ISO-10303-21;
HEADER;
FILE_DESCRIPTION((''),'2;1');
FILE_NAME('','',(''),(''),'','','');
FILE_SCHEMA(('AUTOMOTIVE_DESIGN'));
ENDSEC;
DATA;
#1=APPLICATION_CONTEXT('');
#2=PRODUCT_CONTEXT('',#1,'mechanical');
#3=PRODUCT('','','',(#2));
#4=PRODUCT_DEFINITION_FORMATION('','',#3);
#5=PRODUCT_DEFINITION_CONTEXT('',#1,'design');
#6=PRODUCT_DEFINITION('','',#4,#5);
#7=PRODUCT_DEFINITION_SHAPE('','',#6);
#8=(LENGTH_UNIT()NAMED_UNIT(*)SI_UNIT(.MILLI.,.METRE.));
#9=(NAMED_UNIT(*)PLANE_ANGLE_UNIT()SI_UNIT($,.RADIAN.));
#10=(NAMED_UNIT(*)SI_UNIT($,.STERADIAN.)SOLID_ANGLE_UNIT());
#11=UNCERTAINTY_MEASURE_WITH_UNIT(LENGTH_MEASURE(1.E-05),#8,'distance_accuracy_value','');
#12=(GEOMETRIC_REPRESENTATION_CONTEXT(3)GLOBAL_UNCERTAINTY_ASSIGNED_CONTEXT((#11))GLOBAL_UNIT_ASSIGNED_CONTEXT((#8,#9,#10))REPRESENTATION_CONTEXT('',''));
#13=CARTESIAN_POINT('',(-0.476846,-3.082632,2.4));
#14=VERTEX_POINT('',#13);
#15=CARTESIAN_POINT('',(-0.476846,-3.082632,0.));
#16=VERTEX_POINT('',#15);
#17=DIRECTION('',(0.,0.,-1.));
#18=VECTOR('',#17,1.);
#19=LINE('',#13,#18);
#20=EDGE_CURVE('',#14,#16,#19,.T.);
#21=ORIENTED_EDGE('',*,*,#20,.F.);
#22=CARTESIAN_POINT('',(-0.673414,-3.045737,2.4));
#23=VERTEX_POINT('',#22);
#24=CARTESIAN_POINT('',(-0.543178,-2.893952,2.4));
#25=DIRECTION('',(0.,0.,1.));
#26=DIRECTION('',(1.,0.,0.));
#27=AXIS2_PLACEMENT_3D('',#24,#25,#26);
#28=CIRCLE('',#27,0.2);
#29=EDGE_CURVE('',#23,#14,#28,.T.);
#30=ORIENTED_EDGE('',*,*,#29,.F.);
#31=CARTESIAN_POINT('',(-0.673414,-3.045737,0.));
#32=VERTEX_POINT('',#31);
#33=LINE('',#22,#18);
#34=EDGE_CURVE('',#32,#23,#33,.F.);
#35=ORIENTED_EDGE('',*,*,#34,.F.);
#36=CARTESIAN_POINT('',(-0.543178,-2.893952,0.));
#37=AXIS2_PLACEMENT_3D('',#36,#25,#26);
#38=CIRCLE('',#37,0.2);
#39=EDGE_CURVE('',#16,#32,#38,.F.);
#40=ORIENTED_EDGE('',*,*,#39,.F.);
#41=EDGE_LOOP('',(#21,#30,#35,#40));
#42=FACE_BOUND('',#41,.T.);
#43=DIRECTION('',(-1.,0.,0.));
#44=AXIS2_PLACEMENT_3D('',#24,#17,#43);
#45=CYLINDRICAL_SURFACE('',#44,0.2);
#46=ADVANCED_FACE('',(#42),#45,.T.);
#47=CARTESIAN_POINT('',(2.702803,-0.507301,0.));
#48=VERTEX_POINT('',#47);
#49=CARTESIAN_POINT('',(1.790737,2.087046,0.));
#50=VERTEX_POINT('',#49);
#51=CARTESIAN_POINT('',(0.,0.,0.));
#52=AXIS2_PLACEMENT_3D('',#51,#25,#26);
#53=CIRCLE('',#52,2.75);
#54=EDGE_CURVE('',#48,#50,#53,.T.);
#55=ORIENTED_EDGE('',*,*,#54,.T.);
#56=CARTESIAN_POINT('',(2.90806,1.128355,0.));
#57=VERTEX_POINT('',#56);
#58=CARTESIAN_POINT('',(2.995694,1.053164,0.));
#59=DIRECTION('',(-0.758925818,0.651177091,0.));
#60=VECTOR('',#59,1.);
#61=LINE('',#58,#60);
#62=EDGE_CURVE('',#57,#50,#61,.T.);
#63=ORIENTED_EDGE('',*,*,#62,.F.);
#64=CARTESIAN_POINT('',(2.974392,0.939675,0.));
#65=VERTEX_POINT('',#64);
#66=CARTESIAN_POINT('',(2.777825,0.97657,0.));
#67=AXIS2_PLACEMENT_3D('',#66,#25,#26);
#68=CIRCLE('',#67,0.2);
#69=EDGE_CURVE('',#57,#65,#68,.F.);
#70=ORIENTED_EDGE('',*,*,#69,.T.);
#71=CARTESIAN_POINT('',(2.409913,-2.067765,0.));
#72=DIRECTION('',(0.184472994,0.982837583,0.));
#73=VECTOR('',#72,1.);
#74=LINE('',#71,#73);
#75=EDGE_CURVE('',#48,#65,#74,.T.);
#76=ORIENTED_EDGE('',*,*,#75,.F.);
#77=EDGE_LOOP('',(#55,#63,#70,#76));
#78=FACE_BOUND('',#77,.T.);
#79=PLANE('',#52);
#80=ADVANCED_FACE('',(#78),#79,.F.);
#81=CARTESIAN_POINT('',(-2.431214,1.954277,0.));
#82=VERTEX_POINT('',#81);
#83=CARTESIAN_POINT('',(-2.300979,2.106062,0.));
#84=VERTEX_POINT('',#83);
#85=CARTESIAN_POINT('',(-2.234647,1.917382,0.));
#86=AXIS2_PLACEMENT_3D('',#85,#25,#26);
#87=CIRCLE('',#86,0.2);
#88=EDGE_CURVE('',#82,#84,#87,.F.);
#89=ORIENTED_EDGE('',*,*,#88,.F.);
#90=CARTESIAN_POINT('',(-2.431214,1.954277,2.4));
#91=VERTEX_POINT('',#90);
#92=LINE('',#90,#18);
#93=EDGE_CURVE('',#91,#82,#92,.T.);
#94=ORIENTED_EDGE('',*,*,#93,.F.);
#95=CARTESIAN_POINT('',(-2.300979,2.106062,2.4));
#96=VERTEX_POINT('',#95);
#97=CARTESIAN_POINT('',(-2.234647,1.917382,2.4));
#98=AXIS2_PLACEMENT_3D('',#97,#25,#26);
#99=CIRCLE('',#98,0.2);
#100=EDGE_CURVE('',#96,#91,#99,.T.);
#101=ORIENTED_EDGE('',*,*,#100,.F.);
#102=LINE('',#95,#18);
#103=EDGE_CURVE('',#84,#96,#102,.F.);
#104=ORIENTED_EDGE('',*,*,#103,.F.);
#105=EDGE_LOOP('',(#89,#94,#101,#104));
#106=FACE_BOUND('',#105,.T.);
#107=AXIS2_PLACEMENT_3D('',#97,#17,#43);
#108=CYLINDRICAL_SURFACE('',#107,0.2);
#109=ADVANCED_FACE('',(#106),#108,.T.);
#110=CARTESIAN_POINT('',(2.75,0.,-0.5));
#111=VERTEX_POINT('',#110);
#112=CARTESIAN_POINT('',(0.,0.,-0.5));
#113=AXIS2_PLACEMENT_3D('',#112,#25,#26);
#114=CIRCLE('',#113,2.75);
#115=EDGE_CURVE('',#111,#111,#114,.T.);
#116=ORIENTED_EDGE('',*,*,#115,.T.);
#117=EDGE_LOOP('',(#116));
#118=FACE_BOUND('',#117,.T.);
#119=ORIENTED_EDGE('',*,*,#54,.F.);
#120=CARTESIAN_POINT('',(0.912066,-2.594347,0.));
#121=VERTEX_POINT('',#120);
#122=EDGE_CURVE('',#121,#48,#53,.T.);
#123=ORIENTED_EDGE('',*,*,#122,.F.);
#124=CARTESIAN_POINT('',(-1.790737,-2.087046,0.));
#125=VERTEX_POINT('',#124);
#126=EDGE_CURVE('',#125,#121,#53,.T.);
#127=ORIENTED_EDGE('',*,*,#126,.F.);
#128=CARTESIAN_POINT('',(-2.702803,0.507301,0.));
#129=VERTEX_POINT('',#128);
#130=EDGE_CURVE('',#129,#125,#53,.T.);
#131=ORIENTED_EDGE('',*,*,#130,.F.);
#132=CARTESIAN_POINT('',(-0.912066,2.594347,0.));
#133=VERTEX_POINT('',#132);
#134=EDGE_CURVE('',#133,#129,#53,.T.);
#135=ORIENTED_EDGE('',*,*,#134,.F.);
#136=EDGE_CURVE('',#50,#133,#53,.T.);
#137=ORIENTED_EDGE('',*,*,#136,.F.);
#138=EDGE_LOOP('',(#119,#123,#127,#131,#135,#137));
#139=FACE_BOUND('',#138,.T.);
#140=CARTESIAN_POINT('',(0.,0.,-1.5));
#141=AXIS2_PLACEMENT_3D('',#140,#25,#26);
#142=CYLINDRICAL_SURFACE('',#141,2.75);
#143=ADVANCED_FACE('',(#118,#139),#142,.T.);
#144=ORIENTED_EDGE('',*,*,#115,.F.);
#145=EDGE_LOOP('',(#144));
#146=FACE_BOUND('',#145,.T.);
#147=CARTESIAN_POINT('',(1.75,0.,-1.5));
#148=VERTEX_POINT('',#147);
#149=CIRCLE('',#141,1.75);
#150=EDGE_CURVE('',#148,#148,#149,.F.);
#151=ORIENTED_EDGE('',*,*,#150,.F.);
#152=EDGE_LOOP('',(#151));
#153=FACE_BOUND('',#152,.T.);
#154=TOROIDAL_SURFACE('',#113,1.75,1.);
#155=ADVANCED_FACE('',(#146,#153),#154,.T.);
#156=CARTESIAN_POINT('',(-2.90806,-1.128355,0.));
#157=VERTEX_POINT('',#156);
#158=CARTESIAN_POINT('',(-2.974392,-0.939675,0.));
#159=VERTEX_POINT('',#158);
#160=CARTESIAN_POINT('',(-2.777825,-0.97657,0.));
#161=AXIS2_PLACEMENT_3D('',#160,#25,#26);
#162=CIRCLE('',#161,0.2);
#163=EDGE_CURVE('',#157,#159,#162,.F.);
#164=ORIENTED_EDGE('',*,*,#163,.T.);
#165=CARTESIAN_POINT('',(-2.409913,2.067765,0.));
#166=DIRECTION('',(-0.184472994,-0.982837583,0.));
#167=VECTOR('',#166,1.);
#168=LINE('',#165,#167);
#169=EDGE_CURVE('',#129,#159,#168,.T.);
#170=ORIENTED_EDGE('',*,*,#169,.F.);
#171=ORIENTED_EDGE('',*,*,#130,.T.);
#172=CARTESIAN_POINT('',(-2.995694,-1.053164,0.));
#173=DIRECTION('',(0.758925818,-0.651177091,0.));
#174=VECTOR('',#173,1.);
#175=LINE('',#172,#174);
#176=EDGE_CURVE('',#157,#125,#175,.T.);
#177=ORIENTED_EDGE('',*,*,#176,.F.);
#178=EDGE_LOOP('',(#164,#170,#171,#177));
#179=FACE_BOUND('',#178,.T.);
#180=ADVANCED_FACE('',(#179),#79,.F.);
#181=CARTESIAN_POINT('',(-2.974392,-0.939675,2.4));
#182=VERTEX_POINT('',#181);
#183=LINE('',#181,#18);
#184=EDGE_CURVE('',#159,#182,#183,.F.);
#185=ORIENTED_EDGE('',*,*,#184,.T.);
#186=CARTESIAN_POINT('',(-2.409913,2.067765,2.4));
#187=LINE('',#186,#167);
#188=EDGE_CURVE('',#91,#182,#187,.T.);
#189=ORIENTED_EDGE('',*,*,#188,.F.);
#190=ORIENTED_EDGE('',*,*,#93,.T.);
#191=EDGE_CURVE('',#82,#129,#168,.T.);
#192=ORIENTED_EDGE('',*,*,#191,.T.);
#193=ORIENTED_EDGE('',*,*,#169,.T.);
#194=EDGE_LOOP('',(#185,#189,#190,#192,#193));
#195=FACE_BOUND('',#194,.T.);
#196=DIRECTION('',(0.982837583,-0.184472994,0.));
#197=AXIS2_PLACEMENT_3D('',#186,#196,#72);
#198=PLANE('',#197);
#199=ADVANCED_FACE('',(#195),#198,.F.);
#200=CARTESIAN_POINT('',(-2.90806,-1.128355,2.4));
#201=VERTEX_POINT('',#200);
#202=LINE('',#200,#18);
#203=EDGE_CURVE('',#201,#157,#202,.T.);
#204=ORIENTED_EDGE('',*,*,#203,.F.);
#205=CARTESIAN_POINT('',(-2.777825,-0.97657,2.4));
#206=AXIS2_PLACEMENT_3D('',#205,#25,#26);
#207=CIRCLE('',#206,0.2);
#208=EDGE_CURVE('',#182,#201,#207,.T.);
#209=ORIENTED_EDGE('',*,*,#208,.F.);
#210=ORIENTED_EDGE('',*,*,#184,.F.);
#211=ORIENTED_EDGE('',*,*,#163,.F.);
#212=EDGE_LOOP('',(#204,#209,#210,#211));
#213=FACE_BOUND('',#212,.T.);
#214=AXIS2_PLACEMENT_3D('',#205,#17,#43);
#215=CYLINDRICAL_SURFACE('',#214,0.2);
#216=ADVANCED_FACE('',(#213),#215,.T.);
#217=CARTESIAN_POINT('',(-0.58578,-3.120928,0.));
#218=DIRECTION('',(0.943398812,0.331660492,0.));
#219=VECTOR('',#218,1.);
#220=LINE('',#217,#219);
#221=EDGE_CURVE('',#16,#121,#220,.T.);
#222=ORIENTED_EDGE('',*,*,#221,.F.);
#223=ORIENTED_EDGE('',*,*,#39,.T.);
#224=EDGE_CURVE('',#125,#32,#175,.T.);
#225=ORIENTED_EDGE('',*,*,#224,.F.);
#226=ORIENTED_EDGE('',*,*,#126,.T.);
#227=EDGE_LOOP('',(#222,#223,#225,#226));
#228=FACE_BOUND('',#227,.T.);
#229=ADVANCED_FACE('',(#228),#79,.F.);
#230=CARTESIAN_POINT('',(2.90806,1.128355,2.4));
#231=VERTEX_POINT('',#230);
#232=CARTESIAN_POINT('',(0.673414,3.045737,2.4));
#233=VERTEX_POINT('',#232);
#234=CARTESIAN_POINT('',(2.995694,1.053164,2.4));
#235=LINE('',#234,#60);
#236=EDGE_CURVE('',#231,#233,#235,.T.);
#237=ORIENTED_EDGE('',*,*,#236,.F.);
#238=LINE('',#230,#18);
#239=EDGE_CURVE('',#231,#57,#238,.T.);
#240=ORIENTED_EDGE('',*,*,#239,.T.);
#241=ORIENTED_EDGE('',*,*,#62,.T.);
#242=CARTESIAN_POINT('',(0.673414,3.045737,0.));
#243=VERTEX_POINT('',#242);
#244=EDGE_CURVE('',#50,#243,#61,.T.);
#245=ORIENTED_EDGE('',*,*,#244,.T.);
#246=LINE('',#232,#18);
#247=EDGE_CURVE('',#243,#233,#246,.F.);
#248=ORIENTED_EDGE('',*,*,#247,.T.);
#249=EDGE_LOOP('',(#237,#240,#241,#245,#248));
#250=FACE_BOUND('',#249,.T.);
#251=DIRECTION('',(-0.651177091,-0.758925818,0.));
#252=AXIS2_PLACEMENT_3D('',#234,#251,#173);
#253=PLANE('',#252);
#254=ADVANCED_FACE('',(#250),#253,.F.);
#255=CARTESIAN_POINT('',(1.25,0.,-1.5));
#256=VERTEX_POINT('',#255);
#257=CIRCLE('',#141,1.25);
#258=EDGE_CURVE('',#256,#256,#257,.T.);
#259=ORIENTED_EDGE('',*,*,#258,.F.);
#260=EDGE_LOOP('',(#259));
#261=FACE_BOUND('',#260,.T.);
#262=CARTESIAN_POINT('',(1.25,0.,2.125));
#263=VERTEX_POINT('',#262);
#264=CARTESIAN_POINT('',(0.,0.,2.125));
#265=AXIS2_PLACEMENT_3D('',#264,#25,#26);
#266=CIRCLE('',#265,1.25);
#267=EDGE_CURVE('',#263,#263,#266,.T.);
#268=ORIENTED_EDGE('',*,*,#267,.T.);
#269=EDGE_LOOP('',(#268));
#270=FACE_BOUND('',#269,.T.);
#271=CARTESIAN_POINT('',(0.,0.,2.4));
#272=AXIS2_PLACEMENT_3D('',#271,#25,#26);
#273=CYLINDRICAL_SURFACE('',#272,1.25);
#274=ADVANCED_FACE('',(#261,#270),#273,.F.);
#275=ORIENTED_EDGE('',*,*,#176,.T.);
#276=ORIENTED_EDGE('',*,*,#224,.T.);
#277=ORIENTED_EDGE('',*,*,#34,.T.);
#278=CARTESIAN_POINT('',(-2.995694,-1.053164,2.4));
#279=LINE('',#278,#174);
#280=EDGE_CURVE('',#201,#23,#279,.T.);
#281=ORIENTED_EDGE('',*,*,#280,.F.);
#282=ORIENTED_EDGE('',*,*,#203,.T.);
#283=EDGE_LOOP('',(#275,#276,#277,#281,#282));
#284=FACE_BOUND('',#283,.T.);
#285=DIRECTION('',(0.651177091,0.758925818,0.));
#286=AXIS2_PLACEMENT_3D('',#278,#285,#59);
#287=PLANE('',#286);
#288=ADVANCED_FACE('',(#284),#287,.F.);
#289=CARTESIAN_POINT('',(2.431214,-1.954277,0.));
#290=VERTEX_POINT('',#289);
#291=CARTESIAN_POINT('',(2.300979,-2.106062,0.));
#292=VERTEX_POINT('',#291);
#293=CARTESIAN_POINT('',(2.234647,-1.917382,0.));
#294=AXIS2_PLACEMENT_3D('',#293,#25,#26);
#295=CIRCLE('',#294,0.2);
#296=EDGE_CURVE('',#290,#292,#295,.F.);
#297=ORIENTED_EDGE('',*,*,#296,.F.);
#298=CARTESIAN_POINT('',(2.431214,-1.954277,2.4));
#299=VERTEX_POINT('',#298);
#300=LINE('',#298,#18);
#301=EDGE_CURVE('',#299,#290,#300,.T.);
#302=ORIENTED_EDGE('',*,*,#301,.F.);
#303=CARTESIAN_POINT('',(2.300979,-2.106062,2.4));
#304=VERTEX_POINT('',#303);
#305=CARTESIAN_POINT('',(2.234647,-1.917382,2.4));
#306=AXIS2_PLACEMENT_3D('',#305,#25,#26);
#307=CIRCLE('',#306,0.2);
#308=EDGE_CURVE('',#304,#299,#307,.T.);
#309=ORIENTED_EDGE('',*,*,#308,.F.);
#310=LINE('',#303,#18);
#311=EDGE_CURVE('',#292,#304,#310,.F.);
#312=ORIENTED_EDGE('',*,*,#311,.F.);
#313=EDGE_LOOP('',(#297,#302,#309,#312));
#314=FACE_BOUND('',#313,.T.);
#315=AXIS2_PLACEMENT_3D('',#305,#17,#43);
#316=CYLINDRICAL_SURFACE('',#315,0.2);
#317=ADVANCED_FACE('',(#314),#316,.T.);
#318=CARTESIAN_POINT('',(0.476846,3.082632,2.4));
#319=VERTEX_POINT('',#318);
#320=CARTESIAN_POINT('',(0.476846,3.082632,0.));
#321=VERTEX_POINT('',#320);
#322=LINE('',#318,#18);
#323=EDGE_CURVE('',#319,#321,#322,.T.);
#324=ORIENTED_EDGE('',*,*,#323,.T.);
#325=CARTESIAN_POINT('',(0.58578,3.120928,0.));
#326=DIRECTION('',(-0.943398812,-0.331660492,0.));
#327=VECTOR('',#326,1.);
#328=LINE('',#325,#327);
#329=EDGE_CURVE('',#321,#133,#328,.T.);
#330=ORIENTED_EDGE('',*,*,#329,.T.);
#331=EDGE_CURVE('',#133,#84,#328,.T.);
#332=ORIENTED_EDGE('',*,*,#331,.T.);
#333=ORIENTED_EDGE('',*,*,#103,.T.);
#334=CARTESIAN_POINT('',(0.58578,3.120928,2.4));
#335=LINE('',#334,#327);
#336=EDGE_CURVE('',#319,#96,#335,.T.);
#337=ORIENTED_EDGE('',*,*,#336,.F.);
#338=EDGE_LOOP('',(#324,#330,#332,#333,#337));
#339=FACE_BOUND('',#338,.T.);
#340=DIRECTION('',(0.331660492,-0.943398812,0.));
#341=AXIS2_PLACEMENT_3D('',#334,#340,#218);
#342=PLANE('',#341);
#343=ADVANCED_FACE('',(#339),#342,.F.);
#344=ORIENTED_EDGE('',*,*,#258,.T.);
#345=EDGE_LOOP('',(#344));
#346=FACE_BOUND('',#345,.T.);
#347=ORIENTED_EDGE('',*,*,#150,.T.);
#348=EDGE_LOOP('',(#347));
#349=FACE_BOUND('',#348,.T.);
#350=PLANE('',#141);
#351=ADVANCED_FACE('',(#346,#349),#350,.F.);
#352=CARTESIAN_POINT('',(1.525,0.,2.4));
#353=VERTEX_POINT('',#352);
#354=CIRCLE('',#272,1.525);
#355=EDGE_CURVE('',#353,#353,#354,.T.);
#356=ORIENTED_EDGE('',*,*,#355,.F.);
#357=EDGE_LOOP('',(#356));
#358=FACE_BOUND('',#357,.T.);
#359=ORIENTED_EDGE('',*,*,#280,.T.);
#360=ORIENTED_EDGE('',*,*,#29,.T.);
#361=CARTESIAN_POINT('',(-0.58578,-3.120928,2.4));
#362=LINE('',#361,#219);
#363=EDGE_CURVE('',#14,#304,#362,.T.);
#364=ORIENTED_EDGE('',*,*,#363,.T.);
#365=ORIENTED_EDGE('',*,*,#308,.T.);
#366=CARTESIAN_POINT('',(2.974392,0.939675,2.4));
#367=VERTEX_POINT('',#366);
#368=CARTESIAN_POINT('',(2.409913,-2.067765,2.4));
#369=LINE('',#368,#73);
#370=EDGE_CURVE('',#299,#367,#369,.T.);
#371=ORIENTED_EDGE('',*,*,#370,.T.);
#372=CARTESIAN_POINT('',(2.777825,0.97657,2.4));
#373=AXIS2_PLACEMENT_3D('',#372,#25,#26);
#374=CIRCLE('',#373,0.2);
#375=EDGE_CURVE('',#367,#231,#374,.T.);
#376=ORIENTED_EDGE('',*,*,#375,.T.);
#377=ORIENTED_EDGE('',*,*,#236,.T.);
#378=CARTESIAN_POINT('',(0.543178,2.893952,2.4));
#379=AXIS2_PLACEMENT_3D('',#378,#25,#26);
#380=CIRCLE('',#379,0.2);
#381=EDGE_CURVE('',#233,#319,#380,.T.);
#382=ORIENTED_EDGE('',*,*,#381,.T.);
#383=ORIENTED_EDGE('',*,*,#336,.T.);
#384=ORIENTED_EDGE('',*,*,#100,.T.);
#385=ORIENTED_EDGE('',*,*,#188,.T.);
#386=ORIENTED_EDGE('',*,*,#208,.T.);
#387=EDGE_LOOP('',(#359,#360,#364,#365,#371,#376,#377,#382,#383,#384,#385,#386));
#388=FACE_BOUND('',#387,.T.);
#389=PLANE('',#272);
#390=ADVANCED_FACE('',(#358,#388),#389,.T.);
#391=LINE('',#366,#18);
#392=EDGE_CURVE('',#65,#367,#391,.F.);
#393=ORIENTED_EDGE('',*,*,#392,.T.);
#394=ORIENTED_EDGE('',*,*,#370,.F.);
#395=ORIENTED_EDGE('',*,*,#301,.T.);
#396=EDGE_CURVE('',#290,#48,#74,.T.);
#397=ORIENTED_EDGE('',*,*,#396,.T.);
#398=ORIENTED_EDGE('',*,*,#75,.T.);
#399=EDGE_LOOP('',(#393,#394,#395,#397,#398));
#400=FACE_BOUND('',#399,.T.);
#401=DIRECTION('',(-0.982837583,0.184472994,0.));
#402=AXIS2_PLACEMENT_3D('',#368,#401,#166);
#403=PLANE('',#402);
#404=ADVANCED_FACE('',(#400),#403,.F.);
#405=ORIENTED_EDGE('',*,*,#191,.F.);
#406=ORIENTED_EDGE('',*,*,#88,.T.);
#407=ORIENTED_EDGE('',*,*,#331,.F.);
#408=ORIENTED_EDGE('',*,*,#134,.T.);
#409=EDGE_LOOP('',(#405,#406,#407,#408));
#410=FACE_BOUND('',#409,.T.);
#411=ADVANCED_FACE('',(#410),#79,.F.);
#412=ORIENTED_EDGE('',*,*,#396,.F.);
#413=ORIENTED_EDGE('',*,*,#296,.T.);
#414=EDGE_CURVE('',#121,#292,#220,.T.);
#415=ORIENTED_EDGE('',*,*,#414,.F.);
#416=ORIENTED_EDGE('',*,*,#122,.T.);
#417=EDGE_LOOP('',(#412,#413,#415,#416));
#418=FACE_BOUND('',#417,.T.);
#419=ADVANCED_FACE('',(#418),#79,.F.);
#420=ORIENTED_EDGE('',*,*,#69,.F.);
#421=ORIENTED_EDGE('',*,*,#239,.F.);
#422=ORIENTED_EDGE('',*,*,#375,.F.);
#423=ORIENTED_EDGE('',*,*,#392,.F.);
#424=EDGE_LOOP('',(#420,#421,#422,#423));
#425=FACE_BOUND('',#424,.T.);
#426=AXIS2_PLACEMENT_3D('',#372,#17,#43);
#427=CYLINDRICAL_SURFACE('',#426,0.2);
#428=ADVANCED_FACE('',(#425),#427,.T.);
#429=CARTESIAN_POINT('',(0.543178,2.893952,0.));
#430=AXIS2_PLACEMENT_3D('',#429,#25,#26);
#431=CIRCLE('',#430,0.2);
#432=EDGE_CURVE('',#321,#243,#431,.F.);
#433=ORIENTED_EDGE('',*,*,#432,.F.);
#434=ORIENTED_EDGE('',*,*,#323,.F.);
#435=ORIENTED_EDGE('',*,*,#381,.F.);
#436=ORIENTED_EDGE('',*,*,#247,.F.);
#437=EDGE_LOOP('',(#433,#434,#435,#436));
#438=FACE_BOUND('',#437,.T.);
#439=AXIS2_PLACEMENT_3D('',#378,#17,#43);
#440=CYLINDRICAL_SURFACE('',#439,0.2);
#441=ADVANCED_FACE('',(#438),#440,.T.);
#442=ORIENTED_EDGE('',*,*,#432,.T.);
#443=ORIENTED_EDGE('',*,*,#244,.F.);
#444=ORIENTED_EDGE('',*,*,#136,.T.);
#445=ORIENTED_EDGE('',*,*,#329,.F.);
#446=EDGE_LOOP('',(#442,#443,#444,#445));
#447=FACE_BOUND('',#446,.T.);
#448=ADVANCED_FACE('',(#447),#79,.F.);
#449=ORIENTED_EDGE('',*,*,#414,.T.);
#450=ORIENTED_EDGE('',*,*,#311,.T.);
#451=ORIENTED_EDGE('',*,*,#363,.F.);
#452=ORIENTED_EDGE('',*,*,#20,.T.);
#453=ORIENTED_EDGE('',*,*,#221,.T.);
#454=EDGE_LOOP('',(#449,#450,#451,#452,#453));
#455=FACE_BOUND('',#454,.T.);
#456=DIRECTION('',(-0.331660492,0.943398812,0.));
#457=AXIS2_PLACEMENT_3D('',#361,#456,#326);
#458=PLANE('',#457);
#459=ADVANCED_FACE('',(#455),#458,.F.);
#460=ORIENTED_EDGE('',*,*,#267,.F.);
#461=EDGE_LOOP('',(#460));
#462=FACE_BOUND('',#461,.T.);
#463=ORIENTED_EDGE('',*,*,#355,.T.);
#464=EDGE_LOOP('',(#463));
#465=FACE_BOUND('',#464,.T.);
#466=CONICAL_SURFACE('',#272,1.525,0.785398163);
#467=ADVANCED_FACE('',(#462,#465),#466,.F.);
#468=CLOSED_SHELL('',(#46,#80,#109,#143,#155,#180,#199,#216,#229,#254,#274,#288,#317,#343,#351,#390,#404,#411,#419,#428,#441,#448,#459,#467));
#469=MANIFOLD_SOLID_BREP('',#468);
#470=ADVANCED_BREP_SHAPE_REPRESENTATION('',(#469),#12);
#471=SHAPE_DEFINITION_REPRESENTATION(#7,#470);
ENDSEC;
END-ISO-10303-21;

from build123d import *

# Parameters (mm, degrees)
EXTRUDE_1_DEPTH              = 2.4
SKETCH_2_R                   = 2.75
EXTRUDE_3_DEPTH              = 3.9
FILLET_1_R                   = 1
FILLET_2_R                   = 0.2
HOLE_WIZARD_M3_1_D           = 2.5
HOLE_WIZARD_M3_1_DEPTH       = 7.5
HOLE_WIZARD_M3_1_CSINK_D     = 3.05
HOLE_WIZARD_M3_1_CSINK_ANGLE = 90
HOLE_WIZARD_M3_1_TIP         = 0.751075774


with BuildPart() as part:
    # 草图1 → 凸台-拉伸1 (new body)
    with BuildSketch(Plane.XY):
        Polygon((2.409913138, -2.067764977), (2.995693568, 1.05316351), (0.58578043, 3.120928487), (-2.409913138, 2.067764977), (-2.995693568, -1.05316351), (-0.58578043, -3.120928487), align=None)
    extrude(amount=EXTRUDE_1_DEPTH)

    # 草图2 → 凸台-拉伸3 (add)
    with BuildSketch(Plane.XY.offset(2.4)):
        Circle(SKETCH_2_R)
    extrude(amount=-EXTRUDE_3_DEPTH)

    # 圆角1
    fillet_1_edges = [part.edges().sort_by_distance(p)[0] for p in [
        (-2.75, 0, -1.5),
    ]]
    fillet(fillet_1_edges, radius=FILLET_1_R)

    # 圆角2
    fillet_2_edges = [part.edges().sort_by_distance(p)[0] for p in [
        (-0.58578043, -3.120928487, 1.2),
        (-2.995693568, -1.05316351, 1.2),
        (-2.409913138, 2.067764977, 1.2),
        (0.58578043, 3.120928487, 1.2),
        (2.995693568, 1.05316351, 1.2),
        (2.409913138, -2.067764977, 1.2),
    ]]
    fillet(fillet_2_edges, radius=FILLET_2_R)

    # M3 螺纹孔1
    with Locations(Plane.XY.offset(2.4)):
        with Locations((0, 0)):
            CounterSinkHole(HOLE_WIZARD_M3_1_D / 2, HOLE_WIZARD_M3_1_CSINK_D / 2, depth=HOLE_WIZARD_M3_1_DEPTH, counter_sink_angle=HOLE_WIZARD_M3_1_CSINK_ANGLE)
            with Locations((0, 0, -(HOLE_WIZARD_M3_1_DEPTH + HOLE_WIZARD_M3_1_TIP / 2))):  # 118° drill point
                Cone(0, HOLE_WIZARD_M3_1_D / 2, HOLE_WIZARD_M3_1_TIP, mode=Mode.SUBTRACT)


solid = part.part
